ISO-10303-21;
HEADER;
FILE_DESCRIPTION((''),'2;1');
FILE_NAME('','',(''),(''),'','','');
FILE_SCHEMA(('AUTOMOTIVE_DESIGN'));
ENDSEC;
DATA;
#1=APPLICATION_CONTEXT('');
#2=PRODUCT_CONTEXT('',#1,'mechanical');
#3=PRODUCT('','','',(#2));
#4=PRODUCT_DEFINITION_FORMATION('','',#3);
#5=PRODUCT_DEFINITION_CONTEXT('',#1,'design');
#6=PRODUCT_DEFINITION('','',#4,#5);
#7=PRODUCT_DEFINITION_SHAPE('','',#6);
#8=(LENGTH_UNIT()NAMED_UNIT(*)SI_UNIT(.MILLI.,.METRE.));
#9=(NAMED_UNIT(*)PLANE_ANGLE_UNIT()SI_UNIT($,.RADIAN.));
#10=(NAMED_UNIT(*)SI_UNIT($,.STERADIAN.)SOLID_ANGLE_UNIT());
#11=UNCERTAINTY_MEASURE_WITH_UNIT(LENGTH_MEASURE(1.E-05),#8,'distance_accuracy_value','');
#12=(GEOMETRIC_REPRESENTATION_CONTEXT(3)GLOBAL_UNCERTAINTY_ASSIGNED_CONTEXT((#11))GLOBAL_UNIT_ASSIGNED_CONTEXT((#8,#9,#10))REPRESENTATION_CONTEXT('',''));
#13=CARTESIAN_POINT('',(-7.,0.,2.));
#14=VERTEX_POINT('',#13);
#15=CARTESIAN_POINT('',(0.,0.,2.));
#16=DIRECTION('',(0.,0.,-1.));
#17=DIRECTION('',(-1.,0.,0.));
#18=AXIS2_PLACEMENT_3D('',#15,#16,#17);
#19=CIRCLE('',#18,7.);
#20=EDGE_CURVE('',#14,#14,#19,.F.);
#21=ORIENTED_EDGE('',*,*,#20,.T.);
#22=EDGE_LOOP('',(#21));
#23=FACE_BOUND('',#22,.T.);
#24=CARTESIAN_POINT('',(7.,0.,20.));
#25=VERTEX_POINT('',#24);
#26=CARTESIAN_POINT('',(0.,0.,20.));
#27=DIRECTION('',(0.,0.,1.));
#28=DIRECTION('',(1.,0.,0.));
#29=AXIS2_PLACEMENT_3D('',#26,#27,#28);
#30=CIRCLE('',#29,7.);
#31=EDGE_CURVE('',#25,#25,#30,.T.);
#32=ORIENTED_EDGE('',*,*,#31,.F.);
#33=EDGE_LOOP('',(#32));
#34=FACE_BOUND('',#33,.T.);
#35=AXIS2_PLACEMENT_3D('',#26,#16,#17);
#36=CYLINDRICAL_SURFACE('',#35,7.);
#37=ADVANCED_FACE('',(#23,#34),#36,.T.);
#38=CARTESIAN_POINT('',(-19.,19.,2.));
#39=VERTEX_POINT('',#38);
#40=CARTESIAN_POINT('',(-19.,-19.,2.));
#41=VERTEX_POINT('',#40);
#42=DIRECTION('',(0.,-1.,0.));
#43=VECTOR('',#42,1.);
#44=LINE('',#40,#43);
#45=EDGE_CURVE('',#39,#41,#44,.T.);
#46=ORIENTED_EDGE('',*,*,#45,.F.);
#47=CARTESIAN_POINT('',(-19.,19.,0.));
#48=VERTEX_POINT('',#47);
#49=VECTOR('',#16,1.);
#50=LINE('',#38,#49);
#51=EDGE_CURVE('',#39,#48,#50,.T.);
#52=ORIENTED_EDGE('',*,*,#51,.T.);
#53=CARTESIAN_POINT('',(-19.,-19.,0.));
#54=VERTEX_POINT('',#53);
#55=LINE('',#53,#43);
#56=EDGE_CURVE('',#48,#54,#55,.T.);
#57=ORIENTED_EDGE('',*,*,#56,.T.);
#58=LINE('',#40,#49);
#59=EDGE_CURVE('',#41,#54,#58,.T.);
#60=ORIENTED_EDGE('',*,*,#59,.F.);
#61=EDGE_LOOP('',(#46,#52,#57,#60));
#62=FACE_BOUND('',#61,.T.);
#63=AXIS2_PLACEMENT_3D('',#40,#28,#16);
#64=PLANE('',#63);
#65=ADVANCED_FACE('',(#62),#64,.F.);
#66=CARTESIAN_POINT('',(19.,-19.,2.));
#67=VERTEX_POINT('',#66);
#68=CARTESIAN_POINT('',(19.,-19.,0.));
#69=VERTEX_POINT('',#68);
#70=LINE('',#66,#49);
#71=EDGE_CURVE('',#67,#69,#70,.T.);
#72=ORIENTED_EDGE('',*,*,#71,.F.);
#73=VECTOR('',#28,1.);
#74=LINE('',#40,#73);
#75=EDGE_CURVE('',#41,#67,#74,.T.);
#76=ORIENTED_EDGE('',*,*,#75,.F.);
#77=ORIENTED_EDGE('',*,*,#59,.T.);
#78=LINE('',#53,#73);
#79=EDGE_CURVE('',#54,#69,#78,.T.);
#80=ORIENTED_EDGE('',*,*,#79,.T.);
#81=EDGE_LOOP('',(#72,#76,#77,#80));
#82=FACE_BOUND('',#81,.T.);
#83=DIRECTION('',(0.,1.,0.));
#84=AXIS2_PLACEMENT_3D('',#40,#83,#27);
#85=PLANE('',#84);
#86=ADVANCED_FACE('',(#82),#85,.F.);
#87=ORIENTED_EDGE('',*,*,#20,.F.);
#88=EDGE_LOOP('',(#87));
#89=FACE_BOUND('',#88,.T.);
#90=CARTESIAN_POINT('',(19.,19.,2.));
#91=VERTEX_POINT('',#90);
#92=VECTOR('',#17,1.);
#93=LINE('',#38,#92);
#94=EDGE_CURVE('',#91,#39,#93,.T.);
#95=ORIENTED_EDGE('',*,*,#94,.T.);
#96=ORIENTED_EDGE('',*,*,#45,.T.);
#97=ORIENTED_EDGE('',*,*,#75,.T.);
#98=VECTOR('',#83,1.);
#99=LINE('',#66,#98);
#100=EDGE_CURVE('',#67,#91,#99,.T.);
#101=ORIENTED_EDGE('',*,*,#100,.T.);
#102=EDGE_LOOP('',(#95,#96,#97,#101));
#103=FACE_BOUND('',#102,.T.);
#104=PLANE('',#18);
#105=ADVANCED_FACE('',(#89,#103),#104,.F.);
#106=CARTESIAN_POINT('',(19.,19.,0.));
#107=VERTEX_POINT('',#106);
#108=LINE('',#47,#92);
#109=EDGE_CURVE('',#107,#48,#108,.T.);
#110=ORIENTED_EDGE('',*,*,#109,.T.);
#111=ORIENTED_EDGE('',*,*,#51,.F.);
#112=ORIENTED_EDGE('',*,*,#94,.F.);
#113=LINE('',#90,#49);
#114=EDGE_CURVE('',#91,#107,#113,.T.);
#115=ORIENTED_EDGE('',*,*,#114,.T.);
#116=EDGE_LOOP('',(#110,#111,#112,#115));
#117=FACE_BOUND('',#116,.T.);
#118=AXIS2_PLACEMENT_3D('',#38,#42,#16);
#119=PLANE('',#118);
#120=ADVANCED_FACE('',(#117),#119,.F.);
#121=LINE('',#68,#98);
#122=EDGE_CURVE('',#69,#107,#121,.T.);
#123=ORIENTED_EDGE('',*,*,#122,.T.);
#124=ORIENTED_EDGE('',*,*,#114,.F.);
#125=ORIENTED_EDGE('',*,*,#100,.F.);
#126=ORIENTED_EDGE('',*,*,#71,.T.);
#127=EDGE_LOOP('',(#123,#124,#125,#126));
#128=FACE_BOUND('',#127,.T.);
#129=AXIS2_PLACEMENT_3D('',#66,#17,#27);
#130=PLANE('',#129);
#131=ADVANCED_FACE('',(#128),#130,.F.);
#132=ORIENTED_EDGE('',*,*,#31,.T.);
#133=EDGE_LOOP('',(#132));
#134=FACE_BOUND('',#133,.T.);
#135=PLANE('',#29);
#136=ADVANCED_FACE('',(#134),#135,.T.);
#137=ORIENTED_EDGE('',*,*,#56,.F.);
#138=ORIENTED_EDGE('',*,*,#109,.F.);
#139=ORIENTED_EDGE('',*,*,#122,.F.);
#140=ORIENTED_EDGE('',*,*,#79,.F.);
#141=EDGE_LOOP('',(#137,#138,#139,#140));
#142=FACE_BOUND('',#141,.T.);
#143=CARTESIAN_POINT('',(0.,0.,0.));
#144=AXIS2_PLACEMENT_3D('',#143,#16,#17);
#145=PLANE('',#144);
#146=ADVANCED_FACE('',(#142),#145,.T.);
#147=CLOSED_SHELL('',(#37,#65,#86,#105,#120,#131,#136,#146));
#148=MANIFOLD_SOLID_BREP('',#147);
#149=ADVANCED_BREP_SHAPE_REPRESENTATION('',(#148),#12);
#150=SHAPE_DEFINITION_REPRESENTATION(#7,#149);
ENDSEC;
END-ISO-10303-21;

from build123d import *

# Parameters (mm, degrees)
SKETCH1_W           = 38
SKETCH1_H           = 38
BOSS_EXTRUDE1_DEPTH = 2
SKETCH2_R           = 7
BOSS_EXTRUDE2_DEPTH = 20


with BuildPart() as part:
    # Sketch1 → Boss-Extrude1 (new body)
    with BuildSketch(Plane.XY):
        Rectangle(SKETCH1_W, SKETCH1_H)
    extrude(amount=BOSS_EXTRUDE1_DEPTH)

    # Sketch2 → Boss-Extrude2 (add)
    with BuildSketch(Plane.XY):
        with Locations(Location((0, 0, 0), (0, 0, 180))):
            Circle(SKETCH2_R)
    extrude(amount=BOSS_EXTRUDE2_DEPTH)


solid = part.part
